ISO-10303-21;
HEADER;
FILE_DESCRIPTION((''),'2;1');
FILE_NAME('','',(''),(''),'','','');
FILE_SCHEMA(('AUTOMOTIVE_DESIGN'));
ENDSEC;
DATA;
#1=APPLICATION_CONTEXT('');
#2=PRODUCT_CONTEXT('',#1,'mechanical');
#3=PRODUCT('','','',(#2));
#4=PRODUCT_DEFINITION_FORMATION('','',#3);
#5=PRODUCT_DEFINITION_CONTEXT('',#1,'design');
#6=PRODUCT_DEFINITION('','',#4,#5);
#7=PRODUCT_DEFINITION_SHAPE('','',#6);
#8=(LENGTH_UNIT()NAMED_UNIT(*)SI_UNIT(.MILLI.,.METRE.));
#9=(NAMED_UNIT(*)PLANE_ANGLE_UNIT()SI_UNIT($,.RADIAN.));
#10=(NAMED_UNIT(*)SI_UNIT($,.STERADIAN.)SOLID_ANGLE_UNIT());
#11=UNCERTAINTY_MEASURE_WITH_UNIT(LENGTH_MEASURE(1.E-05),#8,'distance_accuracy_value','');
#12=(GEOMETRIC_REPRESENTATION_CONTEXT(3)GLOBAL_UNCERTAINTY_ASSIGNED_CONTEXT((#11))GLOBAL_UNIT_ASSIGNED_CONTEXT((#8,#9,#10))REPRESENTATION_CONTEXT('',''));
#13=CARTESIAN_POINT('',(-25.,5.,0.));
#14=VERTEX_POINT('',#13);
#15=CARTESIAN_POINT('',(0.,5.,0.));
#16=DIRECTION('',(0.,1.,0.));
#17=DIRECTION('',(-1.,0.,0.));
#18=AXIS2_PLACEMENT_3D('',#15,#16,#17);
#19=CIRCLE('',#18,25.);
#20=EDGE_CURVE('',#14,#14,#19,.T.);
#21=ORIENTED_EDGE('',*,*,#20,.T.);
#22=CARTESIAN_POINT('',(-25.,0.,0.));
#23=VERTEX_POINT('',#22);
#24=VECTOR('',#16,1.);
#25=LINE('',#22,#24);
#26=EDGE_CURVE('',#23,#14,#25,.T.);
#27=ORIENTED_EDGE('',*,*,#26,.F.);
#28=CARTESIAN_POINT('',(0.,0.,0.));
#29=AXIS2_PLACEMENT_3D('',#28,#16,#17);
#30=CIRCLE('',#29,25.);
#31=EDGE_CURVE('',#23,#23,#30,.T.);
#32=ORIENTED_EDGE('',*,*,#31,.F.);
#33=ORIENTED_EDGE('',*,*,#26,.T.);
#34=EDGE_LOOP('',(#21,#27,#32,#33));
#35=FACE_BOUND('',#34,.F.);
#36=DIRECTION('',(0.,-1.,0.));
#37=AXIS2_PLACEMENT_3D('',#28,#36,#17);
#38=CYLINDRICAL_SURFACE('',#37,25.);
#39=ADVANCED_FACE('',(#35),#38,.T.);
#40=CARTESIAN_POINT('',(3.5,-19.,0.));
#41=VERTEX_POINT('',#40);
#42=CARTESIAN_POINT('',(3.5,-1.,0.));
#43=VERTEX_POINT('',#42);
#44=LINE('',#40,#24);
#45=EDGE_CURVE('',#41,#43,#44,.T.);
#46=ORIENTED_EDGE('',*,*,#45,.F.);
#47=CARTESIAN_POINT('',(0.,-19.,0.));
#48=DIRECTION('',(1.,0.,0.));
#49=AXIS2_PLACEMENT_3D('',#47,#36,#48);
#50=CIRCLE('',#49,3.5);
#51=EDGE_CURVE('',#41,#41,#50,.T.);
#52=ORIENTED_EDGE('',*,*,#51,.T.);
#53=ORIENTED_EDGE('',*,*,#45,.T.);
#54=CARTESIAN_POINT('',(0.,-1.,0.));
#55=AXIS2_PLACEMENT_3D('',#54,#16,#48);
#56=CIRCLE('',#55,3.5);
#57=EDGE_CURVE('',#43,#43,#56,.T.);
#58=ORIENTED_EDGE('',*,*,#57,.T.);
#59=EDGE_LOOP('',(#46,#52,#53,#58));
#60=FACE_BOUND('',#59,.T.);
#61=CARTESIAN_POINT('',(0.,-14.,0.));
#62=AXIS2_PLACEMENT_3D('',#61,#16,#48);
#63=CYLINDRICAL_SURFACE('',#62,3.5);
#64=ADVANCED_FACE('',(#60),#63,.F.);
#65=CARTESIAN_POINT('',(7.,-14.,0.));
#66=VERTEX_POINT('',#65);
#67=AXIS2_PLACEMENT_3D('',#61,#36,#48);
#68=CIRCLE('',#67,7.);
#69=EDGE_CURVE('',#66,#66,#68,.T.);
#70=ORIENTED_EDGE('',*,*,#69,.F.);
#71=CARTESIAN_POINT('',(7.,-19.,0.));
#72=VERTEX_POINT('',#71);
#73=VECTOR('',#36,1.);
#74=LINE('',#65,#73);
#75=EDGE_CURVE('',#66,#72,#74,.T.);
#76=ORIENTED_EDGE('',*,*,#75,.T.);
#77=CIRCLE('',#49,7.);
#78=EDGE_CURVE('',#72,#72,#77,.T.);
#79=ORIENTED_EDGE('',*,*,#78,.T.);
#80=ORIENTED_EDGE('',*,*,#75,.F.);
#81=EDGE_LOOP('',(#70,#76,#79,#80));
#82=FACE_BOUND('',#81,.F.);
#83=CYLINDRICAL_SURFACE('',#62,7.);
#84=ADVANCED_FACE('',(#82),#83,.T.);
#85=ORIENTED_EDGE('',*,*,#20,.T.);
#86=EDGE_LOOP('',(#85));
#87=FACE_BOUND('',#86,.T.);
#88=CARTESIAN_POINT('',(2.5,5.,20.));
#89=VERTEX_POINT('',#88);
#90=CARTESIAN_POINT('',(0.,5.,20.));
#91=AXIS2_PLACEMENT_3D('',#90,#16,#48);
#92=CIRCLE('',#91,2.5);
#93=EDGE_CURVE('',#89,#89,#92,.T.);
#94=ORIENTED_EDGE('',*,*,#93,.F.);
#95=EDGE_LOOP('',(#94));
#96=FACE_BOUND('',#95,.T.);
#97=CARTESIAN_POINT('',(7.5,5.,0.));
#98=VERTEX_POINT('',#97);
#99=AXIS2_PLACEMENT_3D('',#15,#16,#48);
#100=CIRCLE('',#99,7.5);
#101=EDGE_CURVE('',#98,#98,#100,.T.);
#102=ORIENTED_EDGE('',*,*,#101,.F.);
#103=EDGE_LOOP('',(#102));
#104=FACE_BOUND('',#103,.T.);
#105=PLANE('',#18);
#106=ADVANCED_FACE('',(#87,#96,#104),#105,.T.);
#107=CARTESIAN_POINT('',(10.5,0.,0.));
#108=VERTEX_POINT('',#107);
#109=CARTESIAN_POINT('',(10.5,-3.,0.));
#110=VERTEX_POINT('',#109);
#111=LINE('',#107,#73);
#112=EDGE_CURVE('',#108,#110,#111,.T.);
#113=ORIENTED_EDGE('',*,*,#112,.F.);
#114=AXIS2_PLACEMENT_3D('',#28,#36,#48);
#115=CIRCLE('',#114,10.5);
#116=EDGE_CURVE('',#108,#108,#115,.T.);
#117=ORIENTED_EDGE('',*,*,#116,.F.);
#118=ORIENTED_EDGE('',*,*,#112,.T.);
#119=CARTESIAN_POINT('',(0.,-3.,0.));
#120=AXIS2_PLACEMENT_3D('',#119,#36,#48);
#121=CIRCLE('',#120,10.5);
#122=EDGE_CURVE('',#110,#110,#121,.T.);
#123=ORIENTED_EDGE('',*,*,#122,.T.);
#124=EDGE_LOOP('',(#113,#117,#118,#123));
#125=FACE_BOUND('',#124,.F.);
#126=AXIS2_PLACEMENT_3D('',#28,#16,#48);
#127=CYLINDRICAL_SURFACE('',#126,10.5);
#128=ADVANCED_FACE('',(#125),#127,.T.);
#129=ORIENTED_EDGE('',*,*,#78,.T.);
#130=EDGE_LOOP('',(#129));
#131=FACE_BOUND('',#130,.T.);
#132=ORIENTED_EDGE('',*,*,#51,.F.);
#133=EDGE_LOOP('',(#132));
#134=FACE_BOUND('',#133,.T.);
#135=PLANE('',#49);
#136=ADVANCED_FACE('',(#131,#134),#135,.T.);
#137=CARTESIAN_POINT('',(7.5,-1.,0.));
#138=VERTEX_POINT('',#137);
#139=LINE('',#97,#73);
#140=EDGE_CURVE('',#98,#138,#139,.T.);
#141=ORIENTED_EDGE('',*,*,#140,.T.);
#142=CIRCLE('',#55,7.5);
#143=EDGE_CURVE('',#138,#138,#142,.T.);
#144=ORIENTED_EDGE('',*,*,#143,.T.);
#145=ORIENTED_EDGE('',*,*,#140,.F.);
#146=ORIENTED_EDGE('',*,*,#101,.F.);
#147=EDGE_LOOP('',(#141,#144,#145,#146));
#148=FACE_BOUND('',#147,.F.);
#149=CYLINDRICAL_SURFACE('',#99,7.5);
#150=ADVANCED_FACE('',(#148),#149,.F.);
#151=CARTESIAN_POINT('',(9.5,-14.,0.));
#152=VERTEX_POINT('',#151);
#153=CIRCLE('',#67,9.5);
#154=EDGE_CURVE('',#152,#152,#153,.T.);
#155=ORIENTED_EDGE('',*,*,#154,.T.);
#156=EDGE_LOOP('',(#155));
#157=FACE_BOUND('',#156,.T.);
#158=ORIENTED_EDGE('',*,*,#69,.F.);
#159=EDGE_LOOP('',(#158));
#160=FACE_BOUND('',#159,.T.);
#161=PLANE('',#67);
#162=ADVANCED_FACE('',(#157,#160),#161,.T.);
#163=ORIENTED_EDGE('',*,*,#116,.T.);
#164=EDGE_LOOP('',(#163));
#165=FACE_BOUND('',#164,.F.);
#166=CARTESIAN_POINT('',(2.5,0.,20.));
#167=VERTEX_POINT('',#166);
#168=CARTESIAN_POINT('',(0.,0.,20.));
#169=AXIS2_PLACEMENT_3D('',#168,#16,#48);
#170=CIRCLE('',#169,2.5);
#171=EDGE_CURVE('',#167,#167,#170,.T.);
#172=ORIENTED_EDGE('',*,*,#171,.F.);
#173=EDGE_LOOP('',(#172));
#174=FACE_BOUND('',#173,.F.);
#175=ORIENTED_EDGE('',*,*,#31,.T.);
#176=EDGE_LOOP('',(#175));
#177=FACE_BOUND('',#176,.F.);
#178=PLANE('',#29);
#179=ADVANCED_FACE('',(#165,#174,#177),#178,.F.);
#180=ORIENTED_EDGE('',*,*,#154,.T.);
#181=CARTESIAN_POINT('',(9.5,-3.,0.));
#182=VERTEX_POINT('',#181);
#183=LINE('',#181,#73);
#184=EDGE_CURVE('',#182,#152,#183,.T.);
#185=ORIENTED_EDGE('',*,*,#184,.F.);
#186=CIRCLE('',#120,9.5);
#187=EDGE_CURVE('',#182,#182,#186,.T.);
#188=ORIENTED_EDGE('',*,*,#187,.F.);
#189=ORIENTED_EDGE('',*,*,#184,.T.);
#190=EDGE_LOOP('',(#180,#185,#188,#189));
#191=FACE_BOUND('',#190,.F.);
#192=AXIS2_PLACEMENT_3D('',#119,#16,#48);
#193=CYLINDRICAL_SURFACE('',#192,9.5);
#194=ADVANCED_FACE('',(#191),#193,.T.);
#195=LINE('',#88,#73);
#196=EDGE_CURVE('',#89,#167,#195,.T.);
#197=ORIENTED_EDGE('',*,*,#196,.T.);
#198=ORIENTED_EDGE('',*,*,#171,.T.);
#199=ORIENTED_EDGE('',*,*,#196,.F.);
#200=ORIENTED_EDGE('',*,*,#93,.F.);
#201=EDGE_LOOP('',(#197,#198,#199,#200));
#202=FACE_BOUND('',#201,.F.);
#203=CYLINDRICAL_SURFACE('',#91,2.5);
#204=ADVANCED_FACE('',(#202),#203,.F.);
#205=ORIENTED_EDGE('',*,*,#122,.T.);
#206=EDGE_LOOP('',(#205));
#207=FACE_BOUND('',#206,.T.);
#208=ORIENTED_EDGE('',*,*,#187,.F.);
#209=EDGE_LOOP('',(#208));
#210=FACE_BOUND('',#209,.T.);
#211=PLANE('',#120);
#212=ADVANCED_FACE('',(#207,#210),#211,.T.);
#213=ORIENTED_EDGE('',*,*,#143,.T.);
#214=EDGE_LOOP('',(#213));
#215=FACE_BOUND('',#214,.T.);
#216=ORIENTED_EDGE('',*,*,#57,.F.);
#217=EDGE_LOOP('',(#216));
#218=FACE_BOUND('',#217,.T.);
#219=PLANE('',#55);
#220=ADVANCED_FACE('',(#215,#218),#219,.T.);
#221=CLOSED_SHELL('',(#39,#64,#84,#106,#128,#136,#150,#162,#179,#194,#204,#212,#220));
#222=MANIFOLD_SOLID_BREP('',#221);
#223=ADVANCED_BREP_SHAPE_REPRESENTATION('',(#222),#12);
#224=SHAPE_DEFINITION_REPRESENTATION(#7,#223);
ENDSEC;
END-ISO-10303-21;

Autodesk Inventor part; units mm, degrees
ref_plane "YZ Plane" through (0, 0, 0) normal (1, 0, 0) x (0, 1, 0)
ref_plane "XZ Plane" through (0, 0, 0) normal (0, 1, 0) x (-1, 0, 0)
ref_plane "XY Plane" through (0, 0, 0) normal (0, 0, 1) x (1, 0, 0)
sketch "Sketch1" plane through (0, 0, 0) normal (0, 1, 0) x (-1, 0, 0)
  circle A0 centre (0, 0) radius 25
  dimension "d0" = 50
extrude "Extrusion1" add sketch "Sketch1" along normal blind 5
sketch "Sketch4" plane through (0, 5, 0) normal (0, 1, 0) x (1, 0, 0)
  circle A0 centre (0, 0) radius 20 construction
  circle A1 centre (0, -20) radius 2.5
  dimension "d8" = 40
  dimension "d9" = 5
extrude "Extrusion3" cut sketch "Sketch4" against normal through all
sketch "Sketch5" plane through (0, 0, 0) normal (0, -1, 0) x (1, 0, 0)
  circle A0 centre (0, 0) radius 10.5
  dimension "d12" = 21
extrude "Extrusion4" add sketch "Sketch5" along normal blind 3
sketch "Sketch6" plane through (0, -3, 0) normal (0, -1, 0) x (1, 0, 0)
  circle A0 centre (0, 0) radius 9.5
  dimension "d15" = 19
extrude "Extrusion5" add sketch "Sketch6" along normal blind 11
sketch "Sketch7" plane through (0, 5, 0) normal (0, 1, 0) x (1, 0, 0)
  circle A0 centre (0, 0) radius 7.5
  dimension "d18" = 15
extrude "Extrusion6" cut sketch "Sketch7" against normal blind 6
sketch "Sketch8" plane through (0, -1, 0) normal (0, 1, 0) x (1, 0, 0)
  circle A0 centre (0, 0) radius 3.5
  dimension "d21" = 7
extrude "Extrusion7" cut sketch "Sketch8" against normal through all
sketch "Sketch9" plane through (0, -14, 0) normal (0, -1, 0) x (1, 0, 0)
  circle A0 centre (0, 0) radius 3.5
  circle A1 centre (0, 0) radius 10.5 projected
  circle A2 centre (0, 0) radius 7
  dimension "d24" = 14
extrude "Extrusion8" add sketch "Sketch9" along normal blind 5 contours A2
sketch "Sketch10" plane through (0, 0, 0) normal (0, -1, 0) x (1, 0, 0)
  line L0 (0, 0) -> (0, 39) construction
  circle A0 centre (0, 20) radius 2.5 projected
properties part number "sprzeglo_03"
